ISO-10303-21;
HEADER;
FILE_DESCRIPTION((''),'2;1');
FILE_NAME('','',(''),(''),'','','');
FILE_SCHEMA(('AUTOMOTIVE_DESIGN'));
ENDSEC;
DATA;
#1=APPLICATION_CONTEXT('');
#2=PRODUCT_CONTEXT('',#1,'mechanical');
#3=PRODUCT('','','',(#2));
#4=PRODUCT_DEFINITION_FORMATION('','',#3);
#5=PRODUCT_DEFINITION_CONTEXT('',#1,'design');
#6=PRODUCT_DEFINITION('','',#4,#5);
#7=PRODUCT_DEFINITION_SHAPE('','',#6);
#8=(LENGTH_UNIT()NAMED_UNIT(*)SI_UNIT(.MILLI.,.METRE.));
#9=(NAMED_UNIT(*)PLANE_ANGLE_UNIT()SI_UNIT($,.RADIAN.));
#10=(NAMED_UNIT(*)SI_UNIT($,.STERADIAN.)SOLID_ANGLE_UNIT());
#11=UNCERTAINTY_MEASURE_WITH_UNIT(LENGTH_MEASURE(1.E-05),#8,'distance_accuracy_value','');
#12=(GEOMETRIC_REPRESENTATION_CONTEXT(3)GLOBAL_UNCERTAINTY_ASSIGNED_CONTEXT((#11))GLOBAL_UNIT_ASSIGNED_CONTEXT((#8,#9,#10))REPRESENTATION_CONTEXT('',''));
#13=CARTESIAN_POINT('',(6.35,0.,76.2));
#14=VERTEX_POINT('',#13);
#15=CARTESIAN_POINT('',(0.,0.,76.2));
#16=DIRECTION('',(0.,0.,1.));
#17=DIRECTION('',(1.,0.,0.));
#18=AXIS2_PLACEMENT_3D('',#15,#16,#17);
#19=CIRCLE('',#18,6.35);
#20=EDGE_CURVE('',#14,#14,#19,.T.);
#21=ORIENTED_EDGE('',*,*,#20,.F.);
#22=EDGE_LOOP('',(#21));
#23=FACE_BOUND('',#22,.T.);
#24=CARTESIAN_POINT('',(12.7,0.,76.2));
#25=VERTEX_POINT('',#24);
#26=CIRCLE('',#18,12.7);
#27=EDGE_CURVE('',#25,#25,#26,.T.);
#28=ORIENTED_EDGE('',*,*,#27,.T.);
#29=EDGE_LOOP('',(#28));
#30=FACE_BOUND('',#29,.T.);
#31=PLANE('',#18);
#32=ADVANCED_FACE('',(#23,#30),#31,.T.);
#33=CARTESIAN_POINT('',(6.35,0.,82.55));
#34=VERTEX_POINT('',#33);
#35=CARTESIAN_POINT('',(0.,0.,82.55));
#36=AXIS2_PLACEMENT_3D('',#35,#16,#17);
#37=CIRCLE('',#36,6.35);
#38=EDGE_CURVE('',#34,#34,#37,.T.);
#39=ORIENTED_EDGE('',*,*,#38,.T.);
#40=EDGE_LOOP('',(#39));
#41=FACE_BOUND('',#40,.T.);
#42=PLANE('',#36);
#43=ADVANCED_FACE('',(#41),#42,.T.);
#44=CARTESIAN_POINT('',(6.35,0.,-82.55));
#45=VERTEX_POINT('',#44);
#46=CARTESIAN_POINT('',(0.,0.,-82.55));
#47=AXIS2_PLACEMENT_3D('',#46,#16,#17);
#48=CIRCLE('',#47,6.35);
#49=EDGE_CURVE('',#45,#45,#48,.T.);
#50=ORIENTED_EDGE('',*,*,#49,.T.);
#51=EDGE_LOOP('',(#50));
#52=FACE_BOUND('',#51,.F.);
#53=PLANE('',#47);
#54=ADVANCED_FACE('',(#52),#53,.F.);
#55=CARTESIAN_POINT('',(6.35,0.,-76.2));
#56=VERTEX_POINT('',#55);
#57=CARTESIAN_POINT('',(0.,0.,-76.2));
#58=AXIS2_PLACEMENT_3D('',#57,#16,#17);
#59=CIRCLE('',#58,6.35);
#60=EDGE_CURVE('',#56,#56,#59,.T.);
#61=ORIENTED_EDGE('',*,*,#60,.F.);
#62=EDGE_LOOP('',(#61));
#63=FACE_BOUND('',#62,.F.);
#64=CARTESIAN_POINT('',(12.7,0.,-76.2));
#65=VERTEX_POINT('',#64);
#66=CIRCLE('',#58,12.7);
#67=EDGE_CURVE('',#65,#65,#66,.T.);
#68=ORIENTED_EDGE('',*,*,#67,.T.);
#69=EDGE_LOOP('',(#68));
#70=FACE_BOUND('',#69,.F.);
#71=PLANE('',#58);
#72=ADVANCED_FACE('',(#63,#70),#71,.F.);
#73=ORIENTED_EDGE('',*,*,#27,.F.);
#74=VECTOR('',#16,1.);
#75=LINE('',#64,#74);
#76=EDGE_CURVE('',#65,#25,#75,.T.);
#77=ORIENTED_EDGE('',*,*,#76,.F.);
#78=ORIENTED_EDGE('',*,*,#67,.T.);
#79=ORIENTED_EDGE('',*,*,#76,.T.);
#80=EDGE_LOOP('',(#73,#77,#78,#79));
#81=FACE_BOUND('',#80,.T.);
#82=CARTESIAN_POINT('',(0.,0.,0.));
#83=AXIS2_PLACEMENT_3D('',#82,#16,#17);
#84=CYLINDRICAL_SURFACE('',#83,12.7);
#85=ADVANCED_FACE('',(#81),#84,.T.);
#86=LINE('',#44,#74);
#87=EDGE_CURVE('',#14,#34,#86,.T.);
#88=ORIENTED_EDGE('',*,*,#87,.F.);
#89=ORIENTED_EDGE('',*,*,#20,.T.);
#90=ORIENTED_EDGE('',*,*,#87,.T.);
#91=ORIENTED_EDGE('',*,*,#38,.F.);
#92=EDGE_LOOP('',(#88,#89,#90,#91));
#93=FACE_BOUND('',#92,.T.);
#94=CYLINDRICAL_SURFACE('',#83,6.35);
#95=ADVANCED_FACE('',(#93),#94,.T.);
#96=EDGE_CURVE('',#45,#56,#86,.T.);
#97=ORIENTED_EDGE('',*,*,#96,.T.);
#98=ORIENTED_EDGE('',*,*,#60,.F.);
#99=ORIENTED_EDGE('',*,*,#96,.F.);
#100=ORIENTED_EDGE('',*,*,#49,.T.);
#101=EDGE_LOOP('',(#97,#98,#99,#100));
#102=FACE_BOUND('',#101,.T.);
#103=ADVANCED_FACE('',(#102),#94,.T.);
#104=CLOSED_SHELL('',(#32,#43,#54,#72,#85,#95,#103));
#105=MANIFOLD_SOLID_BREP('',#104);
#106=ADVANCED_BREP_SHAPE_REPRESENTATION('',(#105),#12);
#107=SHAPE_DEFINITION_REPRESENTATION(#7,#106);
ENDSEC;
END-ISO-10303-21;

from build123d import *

# Parameters (mm, degrees)
F0_R     = 12.7
F1_DEPTH = 76.2
F2_R     = 6.35
F3_DEPTH = 82.55


with BuildPart() as f1:
    # F0 (on Top) → F1 (new body, symmetric)
    with BuildSketch(Plane.XY):
        Circle(F0_R)
    extrude(amount=F1_DEPTH, both=True)

    # F2 (on Top) → F3 (join, symmetric)
    with BuildSketch(Plane.XY):
        Circle(F2_R)
    extrude(amount=F3_DEPTH, both=True)


solid = f1.part
